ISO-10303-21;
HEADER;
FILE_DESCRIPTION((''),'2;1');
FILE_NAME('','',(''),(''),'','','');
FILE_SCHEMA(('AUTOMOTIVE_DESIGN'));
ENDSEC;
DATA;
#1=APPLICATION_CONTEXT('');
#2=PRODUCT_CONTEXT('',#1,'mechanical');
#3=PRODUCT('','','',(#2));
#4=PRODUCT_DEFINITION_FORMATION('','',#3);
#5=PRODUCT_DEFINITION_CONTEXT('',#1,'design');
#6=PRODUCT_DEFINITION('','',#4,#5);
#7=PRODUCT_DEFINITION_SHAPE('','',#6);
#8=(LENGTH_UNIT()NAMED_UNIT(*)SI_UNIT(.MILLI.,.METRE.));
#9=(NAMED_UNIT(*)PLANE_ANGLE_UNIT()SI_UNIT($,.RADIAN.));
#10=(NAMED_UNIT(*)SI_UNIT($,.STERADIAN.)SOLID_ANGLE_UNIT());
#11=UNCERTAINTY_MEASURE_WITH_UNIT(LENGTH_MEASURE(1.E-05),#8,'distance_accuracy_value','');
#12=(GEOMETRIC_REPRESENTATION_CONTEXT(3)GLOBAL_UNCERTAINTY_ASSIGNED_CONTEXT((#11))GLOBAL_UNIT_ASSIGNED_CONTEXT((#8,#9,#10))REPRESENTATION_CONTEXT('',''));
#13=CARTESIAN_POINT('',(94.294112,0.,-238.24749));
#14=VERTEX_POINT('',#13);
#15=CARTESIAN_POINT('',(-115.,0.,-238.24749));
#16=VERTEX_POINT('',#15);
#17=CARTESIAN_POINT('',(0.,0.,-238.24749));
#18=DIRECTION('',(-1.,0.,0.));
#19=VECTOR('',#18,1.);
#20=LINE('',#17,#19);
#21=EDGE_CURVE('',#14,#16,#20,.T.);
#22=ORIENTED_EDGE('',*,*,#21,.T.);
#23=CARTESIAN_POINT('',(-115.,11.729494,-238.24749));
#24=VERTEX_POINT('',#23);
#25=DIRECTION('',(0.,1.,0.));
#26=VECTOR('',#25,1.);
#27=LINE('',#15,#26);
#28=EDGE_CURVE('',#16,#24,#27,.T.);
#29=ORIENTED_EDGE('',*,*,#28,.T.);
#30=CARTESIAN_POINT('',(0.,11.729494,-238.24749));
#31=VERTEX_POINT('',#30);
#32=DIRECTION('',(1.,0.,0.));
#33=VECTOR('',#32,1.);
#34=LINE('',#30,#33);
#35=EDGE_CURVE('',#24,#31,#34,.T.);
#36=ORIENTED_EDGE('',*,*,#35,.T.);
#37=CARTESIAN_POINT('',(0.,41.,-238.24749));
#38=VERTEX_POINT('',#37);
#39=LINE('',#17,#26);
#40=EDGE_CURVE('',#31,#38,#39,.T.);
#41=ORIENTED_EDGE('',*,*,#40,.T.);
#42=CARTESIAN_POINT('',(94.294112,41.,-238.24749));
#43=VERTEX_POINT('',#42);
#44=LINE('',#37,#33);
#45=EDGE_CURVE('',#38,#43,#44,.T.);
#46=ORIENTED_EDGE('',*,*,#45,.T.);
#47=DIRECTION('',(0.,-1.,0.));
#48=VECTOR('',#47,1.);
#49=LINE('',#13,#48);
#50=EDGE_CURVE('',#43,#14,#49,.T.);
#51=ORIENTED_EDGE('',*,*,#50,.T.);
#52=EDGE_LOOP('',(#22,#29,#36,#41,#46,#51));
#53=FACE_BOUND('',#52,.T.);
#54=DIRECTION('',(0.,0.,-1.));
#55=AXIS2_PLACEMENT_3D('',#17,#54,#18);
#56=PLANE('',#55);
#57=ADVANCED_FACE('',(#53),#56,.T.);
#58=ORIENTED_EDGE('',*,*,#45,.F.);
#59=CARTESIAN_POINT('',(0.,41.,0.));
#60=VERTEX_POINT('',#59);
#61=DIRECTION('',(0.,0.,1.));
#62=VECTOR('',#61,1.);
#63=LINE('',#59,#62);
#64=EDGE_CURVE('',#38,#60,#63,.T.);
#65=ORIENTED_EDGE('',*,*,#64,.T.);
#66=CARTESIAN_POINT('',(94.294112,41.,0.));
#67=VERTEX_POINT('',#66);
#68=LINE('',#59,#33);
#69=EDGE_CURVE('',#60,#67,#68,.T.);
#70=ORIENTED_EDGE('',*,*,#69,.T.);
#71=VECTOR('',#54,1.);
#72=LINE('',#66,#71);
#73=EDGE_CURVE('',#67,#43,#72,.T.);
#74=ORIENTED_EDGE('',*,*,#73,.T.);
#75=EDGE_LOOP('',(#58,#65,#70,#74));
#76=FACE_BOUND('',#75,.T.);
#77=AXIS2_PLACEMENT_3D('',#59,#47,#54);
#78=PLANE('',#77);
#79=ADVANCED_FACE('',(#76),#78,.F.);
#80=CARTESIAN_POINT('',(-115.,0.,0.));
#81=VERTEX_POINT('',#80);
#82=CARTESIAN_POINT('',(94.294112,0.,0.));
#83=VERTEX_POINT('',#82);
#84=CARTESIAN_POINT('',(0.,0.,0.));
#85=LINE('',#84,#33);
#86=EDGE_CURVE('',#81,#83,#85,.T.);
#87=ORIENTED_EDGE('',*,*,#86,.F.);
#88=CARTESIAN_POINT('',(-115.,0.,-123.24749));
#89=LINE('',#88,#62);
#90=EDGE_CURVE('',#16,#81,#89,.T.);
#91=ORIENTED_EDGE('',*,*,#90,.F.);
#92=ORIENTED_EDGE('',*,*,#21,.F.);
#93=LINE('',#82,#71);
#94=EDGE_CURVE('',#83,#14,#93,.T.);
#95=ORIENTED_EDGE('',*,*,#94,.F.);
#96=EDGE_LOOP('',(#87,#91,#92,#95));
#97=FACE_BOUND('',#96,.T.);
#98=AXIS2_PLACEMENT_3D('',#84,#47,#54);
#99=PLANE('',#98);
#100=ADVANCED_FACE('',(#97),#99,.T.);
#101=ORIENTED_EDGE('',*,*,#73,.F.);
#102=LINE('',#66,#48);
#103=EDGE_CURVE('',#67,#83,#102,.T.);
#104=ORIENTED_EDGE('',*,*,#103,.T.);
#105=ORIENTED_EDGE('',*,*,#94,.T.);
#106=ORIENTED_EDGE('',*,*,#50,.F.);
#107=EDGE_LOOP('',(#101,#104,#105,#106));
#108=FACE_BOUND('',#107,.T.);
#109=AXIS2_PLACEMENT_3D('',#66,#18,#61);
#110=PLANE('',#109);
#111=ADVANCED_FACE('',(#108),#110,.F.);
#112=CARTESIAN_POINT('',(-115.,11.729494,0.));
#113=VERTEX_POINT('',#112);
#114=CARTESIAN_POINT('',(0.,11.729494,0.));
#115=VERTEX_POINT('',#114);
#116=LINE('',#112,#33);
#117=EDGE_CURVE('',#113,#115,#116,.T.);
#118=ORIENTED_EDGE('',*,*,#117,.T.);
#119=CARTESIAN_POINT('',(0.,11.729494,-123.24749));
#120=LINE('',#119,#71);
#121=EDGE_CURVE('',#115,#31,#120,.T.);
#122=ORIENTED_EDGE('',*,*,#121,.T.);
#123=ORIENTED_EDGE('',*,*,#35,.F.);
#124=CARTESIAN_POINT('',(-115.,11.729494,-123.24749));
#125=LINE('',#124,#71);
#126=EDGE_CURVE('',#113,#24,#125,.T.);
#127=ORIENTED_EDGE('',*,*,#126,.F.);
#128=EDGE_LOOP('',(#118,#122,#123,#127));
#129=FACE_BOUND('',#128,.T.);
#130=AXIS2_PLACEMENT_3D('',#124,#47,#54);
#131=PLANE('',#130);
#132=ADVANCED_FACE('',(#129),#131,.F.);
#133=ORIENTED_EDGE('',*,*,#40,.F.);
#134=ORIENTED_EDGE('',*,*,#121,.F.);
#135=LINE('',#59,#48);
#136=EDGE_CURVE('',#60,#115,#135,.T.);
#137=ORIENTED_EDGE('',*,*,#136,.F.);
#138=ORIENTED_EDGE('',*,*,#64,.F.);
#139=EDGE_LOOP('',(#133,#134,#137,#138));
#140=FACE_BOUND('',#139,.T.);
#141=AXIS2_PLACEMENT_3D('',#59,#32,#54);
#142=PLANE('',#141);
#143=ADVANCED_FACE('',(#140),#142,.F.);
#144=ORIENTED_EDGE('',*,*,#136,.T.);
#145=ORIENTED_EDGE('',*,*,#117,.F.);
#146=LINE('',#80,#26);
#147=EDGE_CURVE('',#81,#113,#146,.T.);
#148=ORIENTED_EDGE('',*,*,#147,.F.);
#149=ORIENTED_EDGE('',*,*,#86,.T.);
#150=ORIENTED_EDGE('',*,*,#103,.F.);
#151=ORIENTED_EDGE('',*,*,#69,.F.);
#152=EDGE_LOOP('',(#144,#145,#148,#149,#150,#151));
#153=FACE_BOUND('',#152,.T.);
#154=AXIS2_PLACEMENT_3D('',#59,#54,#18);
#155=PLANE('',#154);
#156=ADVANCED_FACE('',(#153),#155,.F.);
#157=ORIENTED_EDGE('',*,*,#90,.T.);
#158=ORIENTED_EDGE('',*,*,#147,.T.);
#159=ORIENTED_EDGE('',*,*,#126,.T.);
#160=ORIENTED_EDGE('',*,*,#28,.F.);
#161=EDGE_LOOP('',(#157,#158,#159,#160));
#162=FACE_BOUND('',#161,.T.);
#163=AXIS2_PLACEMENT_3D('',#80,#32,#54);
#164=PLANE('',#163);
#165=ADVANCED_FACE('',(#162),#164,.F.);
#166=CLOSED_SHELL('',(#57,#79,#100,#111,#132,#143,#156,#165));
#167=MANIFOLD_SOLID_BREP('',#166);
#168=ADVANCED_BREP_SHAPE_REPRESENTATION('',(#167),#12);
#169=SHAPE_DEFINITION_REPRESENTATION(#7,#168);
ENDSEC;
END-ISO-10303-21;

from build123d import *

# Parameters (mm, degrees)
SKETCH1_W           = 94.294111711
SKETCH1_H           = 123.247490411
BOSS_EXTRUDE1_DEPTH = 41
SKETCH2_W           = 123.247490411
SKETCH2_H           = 11.729493647
BOSS_EXTRUDE2_DEPTH = 115
SKETCH3_W           = 115
SKETCH3_H           = 11.729493647
BOSS_EXTRUDE3_DEPTH = 115


with BuildPart() as part:
    # Sketch1 → Boss-Extrude1 (new body)
    with BuildSketch(Plane(origin=(0, 0, 0), x_dir=(1, 0, 0), z_dir=(0, 1, 0))):
        with Locations((47.147055855, 61.623745206)):
            Rectangle(SKETCH1_W, SKETCH1_H)
    extrude(amount=BOSS_EXTRUDE1_DEPTH)

    # Sketch2 → Boss-Extrude2 (add)
    with BuildSketch(Plane.ZY):
        with Locations((-61.623745206, 5.864746823)):
            Rectangle(SKETCH2_W, SKETCH2_H)
    extrude(amount=BOSS_EXTRUDE2_DEPTH)

    # Sketch3 → Boss-Extrude3 (add)
    with BuildSketch(Plane(origin=(0, 0, -123.247490411), x_dir=(-1, 0, 0), z_dir=(0, 0, -1))):
        Polygon((-94.294111711, 41), (-94.294111711, 0), (0, 0), (0, 11.729493647), (0, 41), align=None)
        with Locations((57.5, 5.864746823)):
            Rectangle(SKETCH3_W, SKETCH3_H)
    extrude(amount=BOSS_EXTRUDE3_DEPTH)


solid = part.part
